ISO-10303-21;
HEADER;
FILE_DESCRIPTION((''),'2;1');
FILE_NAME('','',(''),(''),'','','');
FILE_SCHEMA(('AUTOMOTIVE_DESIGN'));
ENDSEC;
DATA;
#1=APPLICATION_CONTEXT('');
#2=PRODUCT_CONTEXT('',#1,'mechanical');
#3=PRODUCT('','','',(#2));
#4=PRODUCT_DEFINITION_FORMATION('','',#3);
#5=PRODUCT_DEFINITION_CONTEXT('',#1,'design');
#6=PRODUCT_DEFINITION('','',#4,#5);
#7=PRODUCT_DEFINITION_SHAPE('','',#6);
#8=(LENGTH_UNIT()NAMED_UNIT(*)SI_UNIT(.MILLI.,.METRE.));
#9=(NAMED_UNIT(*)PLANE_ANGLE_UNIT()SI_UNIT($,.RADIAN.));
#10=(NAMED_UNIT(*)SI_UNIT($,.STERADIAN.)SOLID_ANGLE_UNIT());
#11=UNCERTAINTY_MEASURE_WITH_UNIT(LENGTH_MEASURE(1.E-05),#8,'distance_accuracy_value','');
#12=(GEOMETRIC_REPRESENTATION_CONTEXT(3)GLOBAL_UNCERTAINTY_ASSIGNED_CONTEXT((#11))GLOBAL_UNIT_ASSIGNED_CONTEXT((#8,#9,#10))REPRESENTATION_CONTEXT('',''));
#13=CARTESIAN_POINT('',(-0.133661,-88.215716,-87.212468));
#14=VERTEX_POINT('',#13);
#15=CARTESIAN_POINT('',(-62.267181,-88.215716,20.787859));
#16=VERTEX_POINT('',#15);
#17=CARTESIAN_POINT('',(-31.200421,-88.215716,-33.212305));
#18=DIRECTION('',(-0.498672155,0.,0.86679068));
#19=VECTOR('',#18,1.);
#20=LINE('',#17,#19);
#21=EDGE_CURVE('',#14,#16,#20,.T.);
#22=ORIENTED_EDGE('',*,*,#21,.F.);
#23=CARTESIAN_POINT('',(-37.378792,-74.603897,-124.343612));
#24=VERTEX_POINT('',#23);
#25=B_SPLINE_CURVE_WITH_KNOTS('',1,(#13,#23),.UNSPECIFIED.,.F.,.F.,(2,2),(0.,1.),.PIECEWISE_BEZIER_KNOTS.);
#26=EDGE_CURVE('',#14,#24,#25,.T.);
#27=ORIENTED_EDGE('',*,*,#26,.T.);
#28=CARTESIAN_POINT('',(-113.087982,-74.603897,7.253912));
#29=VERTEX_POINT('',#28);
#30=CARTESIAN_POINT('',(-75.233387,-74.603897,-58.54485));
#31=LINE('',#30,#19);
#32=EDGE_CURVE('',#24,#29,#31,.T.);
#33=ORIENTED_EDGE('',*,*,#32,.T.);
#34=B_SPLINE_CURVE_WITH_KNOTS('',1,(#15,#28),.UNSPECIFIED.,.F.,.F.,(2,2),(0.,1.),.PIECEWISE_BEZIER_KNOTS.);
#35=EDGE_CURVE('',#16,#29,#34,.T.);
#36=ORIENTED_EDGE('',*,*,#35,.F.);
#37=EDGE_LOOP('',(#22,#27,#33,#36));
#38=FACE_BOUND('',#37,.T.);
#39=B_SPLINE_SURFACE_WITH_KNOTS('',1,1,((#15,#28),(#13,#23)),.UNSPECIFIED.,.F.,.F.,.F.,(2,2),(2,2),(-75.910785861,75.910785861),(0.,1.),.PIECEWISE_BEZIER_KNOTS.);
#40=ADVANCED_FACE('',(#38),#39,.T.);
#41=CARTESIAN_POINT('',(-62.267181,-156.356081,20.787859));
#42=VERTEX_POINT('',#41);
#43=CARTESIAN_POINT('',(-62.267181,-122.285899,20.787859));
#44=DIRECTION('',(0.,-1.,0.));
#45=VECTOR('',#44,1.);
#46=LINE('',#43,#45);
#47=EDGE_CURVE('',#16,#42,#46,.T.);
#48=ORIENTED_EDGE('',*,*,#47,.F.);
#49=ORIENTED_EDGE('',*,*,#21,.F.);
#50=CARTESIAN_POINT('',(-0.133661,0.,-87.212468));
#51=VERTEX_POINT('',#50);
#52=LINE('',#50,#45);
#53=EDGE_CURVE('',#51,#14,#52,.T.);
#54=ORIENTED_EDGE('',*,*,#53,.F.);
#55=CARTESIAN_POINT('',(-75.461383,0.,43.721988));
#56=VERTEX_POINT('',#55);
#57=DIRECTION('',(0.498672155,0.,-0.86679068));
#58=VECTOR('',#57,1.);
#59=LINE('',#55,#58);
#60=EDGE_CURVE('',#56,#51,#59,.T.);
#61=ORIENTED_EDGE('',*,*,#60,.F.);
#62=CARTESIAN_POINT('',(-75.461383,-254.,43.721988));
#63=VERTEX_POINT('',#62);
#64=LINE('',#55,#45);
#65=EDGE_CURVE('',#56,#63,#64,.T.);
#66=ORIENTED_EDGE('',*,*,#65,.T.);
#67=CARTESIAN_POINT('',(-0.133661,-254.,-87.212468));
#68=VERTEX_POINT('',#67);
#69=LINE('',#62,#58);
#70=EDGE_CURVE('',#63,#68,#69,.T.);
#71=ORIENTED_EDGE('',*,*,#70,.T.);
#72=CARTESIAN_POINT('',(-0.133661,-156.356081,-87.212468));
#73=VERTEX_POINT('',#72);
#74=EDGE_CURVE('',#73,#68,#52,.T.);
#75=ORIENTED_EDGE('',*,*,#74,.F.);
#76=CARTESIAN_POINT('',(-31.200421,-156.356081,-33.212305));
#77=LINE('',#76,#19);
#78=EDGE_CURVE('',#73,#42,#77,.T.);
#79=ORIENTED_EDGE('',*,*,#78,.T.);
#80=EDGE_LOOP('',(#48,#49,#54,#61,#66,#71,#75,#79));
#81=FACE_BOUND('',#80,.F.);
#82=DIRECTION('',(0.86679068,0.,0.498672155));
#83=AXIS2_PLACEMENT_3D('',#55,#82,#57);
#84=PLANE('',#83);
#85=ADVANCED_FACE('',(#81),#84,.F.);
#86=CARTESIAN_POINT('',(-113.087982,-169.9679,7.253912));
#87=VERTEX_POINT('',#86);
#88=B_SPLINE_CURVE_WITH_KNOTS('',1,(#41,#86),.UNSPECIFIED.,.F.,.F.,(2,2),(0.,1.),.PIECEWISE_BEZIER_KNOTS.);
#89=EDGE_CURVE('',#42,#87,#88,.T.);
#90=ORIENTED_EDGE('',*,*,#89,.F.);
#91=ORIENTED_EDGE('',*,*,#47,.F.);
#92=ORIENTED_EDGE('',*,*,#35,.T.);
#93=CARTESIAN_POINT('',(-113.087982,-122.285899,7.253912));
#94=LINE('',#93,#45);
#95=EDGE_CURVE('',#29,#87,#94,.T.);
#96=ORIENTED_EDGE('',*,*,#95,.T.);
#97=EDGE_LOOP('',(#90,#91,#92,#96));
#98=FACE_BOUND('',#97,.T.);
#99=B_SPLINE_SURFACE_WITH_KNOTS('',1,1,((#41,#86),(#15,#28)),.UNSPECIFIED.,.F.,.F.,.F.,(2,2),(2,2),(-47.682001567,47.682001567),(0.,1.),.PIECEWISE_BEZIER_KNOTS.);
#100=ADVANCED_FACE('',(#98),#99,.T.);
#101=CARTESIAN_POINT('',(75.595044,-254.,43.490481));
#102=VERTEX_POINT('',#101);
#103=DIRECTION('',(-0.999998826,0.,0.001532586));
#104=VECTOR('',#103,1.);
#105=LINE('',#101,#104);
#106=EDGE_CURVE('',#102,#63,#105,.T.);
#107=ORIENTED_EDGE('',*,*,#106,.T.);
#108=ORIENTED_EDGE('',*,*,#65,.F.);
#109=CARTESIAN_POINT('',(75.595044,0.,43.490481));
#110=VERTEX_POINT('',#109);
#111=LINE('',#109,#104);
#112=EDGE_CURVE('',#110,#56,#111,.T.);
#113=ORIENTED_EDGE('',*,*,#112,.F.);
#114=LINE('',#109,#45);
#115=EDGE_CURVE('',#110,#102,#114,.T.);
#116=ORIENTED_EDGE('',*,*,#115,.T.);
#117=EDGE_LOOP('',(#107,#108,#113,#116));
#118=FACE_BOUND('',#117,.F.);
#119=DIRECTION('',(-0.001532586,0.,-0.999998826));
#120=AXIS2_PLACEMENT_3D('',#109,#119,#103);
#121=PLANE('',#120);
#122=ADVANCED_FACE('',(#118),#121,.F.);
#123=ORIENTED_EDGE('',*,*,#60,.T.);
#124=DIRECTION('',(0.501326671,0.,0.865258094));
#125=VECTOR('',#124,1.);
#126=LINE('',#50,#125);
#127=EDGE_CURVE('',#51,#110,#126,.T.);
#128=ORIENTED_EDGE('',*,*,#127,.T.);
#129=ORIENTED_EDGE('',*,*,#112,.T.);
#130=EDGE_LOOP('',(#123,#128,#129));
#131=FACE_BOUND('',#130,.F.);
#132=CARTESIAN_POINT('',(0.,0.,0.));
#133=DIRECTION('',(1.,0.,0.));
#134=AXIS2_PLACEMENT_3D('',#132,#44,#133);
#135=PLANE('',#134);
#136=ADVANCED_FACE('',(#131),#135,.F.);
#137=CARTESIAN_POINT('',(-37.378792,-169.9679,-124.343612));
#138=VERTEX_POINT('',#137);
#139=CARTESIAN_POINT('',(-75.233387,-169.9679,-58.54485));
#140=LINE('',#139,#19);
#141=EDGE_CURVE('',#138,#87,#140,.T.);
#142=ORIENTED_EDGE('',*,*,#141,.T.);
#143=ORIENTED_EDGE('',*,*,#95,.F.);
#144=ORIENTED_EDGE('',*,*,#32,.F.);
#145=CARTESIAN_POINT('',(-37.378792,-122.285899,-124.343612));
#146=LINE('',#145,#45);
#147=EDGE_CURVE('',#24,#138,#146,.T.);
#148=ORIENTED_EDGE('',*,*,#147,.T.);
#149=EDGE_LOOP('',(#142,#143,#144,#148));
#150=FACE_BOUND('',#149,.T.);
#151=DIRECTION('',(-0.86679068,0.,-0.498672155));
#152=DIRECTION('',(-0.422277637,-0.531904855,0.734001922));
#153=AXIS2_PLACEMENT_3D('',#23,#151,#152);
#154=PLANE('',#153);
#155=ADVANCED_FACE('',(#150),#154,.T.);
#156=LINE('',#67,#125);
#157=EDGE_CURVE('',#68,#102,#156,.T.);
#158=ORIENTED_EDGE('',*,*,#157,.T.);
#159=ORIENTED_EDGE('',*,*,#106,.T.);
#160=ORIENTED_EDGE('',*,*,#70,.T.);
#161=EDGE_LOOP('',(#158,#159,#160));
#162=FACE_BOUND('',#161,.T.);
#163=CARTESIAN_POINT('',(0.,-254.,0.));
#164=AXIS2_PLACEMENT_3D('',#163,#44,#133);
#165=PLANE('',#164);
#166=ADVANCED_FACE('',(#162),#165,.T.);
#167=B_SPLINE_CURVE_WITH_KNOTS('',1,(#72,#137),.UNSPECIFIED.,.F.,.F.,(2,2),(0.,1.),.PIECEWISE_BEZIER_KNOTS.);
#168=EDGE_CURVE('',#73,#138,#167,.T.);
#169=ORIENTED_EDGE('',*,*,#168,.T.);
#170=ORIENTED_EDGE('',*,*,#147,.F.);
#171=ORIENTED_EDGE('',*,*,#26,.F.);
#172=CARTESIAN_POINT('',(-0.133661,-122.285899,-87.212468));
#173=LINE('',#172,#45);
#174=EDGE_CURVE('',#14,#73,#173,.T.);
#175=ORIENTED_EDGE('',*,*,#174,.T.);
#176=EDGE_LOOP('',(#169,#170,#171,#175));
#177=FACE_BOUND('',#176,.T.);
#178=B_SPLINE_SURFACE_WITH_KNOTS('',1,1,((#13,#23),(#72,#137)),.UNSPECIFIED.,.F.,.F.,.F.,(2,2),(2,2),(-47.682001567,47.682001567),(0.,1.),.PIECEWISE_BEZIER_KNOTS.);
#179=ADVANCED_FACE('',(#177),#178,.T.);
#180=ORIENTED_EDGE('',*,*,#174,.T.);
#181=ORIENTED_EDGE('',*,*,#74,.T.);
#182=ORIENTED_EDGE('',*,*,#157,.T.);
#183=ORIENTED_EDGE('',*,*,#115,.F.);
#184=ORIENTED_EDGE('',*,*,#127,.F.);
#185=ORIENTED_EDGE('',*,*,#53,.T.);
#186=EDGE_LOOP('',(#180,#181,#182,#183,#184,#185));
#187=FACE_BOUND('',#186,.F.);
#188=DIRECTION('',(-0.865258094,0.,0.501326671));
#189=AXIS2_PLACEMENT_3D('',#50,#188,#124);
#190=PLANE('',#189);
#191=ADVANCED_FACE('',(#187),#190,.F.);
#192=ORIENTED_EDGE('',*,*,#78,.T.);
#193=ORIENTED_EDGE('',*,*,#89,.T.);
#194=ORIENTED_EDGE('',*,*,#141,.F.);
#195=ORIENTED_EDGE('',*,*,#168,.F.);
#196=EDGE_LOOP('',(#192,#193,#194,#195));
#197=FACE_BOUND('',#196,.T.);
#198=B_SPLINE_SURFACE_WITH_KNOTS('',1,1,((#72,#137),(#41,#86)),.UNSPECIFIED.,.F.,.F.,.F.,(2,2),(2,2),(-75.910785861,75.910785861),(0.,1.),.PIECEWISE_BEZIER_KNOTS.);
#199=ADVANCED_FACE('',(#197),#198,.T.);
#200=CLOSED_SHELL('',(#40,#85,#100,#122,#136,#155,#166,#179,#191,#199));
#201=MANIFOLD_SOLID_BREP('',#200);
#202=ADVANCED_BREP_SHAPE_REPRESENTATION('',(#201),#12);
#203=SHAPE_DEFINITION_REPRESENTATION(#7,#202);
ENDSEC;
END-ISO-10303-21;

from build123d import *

# Parameters (mm, degrees)
F1_DEPTH = 254
F2_W     = 68.1403651834
F2_H     = 124.5979337706
F3_DEPTH = 50.8
F3_TAPER = -15


with BuildPart() as f1:
    # F0 (on Front) → F1 (new body)
    with BuildSketch(Plane.XZ):
        Polygon((-0.1336607501, -87.2124684732), (75.5950435996, 43.4904806316), (-75.4613828496, 43.7219878417), align=None)
    extrude(amount=F1_DEPTH)

    # F2 (on face) → F3 (join)
    with BuildSketch(Plane(origin=(-37.7975217998, 0, -21.7452403158), x_dir=(0, -1, 0), z_dir=(-0.8667906796, 0, -0.4986721545))):
        with Locations((122.2858987749, -13.2293350405)):
            Rectangle(F2_W, F2_H)
    extrude(amount=F3_DEPTH, taper=F3_TAPER)


solid = f1.part
